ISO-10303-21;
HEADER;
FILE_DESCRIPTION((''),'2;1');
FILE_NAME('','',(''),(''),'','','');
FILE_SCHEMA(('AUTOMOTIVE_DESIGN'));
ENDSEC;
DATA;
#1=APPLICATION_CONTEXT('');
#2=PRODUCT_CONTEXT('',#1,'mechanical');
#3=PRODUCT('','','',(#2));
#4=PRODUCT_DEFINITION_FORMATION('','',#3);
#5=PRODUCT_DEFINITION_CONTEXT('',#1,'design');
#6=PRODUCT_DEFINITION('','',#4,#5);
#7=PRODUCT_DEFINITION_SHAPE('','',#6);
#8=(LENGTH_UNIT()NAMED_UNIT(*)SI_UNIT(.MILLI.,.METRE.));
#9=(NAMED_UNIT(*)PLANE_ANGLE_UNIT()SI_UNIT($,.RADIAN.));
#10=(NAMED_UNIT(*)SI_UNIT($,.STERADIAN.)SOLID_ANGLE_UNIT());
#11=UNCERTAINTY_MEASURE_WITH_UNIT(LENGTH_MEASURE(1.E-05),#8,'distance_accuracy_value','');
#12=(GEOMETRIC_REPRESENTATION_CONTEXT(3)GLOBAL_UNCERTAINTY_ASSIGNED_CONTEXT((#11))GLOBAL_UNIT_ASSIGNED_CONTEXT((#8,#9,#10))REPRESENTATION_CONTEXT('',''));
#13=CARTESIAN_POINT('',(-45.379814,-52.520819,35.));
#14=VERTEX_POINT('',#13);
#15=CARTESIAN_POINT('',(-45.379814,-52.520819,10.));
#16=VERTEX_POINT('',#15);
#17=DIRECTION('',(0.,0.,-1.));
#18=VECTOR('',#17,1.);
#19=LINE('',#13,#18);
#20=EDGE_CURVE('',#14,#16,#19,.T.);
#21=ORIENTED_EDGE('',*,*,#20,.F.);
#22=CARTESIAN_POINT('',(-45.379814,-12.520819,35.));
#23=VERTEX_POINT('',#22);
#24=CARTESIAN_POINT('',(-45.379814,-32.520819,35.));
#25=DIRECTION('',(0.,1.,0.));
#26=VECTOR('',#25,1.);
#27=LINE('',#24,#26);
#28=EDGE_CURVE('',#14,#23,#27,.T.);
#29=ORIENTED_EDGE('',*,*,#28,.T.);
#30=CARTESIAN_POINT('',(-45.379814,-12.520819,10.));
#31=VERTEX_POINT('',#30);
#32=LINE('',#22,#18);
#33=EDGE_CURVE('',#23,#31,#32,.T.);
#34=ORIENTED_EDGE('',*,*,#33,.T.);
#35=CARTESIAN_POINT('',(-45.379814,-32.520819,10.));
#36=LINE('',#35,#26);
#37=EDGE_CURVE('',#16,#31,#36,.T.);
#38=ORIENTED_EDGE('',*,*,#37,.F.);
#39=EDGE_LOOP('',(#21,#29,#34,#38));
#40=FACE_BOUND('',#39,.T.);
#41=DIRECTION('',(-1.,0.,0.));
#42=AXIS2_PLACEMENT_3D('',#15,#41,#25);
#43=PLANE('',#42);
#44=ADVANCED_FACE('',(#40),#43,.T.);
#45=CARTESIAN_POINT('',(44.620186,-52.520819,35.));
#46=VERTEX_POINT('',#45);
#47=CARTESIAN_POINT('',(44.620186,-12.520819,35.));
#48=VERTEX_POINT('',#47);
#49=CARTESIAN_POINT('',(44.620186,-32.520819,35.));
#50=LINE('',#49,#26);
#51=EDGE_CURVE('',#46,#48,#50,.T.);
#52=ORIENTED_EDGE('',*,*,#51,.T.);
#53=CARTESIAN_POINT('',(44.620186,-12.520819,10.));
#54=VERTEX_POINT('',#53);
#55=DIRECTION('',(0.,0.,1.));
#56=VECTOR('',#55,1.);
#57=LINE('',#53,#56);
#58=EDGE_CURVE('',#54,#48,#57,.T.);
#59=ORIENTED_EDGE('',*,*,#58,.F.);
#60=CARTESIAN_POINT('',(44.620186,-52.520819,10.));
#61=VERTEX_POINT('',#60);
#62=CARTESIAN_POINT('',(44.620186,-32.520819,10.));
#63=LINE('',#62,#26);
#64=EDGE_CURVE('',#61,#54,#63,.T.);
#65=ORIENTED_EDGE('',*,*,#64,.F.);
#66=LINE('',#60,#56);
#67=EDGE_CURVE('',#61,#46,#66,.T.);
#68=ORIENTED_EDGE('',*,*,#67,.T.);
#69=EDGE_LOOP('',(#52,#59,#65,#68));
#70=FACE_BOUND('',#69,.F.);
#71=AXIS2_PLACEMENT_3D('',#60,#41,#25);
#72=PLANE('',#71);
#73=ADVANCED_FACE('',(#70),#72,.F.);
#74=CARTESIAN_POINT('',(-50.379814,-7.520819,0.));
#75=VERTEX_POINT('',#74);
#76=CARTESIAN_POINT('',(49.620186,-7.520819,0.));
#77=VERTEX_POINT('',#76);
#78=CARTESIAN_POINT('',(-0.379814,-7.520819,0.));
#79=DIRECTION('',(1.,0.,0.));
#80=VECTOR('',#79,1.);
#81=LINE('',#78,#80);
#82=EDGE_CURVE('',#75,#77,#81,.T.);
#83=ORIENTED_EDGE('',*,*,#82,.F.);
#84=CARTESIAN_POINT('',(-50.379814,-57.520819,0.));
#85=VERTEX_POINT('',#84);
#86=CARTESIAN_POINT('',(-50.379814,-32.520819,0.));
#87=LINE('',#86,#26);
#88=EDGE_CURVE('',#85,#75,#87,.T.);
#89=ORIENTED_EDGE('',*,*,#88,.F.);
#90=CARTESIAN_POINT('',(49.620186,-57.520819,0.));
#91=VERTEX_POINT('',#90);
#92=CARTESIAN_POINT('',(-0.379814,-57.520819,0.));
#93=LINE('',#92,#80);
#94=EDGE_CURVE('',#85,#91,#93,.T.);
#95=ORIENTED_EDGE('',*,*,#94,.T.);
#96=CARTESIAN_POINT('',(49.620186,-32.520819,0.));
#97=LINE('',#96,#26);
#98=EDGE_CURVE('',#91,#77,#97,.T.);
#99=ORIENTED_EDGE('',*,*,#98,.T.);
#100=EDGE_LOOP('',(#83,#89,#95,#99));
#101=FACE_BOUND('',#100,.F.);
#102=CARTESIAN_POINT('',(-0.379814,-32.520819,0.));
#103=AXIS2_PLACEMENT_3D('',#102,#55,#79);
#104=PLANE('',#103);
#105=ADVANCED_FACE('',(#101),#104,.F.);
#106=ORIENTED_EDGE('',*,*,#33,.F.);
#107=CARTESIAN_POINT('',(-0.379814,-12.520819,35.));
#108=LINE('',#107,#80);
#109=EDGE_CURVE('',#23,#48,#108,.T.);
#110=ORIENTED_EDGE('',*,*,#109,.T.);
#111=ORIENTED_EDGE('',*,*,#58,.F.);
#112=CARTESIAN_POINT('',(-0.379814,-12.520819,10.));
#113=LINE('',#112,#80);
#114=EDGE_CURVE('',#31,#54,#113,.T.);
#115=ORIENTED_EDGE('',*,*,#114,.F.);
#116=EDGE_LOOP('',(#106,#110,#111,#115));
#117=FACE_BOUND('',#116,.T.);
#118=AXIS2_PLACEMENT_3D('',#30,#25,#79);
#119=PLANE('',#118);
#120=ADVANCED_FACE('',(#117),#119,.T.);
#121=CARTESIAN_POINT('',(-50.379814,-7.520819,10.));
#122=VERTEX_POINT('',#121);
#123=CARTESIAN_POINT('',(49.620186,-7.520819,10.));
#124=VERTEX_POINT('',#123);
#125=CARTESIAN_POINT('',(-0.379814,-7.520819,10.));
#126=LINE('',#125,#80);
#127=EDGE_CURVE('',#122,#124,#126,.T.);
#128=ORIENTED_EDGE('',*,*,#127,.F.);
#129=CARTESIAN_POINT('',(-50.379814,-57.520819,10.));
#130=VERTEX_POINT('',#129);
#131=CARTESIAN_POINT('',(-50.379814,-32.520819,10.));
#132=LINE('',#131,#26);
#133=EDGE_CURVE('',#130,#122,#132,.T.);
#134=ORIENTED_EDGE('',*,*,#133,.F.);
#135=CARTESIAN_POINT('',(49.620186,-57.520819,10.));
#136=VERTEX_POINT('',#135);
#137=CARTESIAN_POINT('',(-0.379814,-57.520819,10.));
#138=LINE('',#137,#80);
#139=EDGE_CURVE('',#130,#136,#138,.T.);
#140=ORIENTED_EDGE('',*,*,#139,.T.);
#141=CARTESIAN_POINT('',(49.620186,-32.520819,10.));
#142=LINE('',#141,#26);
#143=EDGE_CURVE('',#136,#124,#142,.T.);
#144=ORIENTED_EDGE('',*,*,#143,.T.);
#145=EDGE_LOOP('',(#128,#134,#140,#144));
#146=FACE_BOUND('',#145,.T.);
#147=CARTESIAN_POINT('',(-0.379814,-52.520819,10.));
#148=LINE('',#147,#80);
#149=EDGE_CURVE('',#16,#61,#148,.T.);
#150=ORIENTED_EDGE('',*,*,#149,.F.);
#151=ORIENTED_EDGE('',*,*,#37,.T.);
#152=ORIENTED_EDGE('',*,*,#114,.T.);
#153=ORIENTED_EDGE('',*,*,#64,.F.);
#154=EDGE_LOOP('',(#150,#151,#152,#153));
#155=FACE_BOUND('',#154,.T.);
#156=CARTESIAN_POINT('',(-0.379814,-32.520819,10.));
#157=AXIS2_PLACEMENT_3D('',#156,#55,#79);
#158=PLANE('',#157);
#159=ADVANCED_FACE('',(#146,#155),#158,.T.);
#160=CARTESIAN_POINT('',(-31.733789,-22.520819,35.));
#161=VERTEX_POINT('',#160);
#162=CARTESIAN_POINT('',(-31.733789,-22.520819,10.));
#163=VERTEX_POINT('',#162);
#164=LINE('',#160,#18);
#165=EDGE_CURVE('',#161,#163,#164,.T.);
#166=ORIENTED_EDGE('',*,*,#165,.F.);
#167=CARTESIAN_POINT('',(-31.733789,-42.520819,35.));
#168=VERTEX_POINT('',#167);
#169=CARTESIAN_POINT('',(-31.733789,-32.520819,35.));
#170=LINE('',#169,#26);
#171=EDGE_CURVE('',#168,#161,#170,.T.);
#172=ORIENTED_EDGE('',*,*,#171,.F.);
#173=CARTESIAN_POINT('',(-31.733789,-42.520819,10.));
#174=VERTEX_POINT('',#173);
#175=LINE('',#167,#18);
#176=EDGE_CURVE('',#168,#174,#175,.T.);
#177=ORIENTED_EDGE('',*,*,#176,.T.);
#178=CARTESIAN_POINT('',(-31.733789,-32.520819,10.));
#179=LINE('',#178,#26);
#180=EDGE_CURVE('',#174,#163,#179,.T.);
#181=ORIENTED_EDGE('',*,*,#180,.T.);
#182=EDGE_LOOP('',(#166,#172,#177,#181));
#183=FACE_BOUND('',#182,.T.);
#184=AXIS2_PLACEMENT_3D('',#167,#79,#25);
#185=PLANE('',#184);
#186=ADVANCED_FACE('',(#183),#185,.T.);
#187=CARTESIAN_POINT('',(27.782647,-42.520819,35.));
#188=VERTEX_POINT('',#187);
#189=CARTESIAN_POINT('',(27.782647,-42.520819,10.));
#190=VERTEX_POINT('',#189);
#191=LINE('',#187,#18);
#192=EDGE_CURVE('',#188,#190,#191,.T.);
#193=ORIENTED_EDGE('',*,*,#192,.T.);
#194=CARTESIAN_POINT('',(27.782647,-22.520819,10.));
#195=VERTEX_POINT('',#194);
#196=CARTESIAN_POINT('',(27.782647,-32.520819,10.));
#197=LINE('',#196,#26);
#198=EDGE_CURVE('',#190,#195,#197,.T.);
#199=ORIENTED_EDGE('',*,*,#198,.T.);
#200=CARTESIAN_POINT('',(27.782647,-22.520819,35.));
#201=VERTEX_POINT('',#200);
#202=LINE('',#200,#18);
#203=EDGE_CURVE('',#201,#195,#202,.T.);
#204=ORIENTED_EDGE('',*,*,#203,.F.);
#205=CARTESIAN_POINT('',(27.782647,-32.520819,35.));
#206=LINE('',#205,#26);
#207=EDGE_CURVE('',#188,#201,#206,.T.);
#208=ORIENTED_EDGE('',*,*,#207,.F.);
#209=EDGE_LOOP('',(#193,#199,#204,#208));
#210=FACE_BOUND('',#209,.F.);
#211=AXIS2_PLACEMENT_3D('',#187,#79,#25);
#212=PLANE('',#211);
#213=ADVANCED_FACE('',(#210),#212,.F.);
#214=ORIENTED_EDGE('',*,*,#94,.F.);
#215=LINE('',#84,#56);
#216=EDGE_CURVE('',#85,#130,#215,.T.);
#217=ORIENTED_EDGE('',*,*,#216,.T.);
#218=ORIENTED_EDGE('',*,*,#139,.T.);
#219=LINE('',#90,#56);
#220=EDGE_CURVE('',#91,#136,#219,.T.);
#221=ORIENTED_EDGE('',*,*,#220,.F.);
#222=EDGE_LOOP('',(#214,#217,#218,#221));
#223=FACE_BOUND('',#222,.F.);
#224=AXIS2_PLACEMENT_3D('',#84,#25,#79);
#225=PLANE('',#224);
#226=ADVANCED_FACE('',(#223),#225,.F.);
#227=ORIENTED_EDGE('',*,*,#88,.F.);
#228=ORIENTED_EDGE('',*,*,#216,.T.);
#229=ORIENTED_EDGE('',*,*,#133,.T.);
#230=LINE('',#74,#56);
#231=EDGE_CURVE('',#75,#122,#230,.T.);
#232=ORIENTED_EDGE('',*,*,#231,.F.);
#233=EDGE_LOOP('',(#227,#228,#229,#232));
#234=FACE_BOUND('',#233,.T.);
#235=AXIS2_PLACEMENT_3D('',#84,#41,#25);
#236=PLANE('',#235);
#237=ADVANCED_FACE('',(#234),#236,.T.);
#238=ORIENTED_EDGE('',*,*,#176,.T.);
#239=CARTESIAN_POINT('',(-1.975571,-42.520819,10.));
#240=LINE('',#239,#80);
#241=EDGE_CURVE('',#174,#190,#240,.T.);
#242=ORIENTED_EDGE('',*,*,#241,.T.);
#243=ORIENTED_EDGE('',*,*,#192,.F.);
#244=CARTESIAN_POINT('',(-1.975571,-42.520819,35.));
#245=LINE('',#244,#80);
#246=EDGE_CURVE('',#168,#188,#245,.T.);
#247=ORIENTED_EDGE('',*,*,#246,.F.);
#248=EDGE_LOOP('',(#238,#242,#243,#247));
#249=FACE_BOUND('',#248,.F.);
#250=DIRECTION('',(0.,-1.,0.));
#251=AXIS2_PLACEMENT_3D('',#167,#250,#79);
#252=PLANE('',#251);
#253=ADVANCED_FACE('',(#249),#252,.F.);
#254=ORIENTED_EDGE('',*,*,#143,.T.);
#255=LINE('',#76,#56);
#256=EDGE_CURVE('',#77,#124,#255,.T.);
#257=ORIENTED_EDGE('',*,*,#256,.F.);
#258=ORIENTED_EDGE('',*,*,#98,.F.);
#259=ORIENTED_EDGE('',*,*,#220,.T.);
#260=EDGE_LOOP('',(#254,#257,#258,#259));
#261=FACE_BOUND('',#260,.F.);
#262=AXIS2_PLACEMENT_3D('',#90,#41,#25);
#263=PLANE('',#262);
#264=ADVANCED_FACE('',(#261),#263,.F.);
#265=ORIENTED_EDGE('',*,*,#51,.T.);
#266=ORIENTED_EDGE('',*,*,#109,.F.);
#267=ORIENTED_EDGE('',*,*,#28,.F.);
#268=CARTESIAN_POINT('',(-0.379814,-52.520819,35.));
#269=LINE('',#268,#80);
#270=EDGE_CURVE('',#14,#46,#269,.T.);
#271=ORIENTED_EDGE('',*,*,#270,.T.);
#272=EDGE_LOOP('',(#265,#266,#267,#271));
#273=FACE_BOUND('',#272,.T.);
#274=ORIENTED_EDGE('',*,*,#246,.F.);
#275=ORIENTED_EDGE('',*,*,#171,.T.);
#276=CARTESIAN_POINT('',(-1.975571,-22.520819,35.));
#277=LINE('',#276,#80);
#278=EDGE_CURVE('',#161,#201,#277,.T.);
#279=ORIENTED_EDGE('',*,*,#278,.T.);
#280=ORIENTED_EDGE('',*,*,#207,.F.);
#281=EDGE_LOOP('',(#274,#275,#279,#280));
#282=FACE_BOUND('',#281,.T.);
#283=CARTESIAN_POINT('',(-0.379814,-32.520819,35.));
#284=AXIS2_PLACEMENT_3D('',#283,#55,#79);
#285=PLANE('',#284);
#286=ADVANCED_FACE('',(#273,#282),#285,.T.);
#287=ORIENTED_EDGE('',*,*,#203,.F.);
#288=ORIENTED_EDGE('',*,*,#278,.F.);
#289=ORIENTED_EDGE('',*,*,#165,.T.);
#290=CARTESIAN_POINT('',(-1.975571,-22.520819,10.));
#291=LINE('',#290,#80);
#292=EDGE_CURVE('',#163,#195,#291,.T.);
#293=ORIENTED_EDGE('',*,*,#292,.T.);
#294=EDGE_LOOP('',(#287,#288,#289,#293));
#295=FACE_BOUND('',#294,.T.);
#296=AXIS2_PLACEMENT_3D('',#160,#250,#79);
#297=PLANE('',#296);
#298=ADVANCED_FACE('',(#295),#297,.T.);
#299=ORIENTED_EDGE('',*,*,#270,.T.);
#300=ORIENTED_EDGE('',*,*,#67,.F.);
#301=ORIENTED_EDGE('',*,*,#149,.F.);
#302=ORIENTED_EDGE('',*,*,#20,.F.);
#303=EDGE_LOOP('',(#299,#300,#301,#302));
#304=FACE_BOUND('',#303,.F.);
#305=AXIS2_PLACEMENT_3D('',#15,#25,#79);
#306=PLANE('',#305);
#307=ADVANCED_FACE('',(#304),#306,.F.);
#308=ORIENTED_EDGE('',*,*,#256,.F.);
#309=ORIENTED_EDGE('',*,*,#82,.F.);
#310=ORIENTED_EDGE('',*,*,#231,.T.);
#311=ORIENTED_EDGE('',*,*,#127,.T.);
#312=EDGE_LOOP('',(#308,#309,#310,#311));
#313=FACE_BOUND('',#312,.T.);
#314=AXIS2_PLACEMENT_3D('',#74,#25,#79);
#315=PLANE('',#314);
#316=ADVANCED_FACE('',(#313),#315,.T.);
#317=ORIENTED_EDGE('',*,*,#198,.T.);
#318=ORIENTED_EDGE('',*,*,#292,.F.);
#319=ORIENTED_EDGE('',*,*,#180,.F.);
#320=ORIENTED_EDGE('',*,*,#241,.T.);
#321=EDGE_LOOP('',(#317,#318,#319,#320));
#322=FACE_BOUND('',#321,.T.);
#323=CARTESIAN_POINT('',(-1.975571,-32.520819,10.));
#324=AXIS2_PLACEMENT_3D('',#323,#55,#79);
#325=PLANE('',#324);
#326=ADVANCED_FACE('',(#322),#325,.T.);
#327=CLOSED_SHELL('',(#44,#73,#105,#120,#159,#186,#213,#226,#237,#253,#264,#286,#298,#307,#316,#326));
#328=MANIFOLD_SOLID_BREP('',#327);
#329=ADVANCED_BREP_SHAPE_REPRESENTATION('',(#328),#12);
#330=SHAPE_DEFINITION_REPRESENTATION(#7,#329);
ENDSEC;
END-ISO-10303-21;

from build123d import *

# Parameters (mm, degrees)
F0_W     = 100
F0_H     = 50
F1_DEPTH = 10
F2_W     = 90
F2_H     = 40
F3_DEPTH = 5
F4_DEPTH = 25
F5_W     = 59.516436
F5_H     = 20
F6_DEPTH = 25


with BuildPart() as f1:
    # F0 (on Top) → F1 (new body)
    with BuildSketch(Plane.XY):
        with Locations((-0.379814, -32.520819)):
            Rectangle(F0_W, F0_H)
    extrude(amount=F1_DEPTH)

    # F2 (on face) → F3 (join)
    with BuildSketch(Plane.XY.offset(10)):
        with Locations((-0.379814, -32.520819)):
            Rectangle(F2_W, F2_H)
    extrude(amount=F3_DEPTH)

    # F2 (on face) → F4 (join)
    with BuildSketch(Plane.XY.offset(10)):
        with Locations((-0.379814, -32.520819)):
            Rectangle(F2_W, F2_H)
    extrude(amount=F4_DEPTH)

    # F5 (on face) → F6 (cut)
    with BuildSketch(Plane.XY.offset(35)):
        with Locations((-1.975571, -32.520819)):
            Rectangle(F5_W, F5_H)
    extrude(amount=-F6_DEPTH, mode=Mode.SUBTRACT)


solid = f1.part
